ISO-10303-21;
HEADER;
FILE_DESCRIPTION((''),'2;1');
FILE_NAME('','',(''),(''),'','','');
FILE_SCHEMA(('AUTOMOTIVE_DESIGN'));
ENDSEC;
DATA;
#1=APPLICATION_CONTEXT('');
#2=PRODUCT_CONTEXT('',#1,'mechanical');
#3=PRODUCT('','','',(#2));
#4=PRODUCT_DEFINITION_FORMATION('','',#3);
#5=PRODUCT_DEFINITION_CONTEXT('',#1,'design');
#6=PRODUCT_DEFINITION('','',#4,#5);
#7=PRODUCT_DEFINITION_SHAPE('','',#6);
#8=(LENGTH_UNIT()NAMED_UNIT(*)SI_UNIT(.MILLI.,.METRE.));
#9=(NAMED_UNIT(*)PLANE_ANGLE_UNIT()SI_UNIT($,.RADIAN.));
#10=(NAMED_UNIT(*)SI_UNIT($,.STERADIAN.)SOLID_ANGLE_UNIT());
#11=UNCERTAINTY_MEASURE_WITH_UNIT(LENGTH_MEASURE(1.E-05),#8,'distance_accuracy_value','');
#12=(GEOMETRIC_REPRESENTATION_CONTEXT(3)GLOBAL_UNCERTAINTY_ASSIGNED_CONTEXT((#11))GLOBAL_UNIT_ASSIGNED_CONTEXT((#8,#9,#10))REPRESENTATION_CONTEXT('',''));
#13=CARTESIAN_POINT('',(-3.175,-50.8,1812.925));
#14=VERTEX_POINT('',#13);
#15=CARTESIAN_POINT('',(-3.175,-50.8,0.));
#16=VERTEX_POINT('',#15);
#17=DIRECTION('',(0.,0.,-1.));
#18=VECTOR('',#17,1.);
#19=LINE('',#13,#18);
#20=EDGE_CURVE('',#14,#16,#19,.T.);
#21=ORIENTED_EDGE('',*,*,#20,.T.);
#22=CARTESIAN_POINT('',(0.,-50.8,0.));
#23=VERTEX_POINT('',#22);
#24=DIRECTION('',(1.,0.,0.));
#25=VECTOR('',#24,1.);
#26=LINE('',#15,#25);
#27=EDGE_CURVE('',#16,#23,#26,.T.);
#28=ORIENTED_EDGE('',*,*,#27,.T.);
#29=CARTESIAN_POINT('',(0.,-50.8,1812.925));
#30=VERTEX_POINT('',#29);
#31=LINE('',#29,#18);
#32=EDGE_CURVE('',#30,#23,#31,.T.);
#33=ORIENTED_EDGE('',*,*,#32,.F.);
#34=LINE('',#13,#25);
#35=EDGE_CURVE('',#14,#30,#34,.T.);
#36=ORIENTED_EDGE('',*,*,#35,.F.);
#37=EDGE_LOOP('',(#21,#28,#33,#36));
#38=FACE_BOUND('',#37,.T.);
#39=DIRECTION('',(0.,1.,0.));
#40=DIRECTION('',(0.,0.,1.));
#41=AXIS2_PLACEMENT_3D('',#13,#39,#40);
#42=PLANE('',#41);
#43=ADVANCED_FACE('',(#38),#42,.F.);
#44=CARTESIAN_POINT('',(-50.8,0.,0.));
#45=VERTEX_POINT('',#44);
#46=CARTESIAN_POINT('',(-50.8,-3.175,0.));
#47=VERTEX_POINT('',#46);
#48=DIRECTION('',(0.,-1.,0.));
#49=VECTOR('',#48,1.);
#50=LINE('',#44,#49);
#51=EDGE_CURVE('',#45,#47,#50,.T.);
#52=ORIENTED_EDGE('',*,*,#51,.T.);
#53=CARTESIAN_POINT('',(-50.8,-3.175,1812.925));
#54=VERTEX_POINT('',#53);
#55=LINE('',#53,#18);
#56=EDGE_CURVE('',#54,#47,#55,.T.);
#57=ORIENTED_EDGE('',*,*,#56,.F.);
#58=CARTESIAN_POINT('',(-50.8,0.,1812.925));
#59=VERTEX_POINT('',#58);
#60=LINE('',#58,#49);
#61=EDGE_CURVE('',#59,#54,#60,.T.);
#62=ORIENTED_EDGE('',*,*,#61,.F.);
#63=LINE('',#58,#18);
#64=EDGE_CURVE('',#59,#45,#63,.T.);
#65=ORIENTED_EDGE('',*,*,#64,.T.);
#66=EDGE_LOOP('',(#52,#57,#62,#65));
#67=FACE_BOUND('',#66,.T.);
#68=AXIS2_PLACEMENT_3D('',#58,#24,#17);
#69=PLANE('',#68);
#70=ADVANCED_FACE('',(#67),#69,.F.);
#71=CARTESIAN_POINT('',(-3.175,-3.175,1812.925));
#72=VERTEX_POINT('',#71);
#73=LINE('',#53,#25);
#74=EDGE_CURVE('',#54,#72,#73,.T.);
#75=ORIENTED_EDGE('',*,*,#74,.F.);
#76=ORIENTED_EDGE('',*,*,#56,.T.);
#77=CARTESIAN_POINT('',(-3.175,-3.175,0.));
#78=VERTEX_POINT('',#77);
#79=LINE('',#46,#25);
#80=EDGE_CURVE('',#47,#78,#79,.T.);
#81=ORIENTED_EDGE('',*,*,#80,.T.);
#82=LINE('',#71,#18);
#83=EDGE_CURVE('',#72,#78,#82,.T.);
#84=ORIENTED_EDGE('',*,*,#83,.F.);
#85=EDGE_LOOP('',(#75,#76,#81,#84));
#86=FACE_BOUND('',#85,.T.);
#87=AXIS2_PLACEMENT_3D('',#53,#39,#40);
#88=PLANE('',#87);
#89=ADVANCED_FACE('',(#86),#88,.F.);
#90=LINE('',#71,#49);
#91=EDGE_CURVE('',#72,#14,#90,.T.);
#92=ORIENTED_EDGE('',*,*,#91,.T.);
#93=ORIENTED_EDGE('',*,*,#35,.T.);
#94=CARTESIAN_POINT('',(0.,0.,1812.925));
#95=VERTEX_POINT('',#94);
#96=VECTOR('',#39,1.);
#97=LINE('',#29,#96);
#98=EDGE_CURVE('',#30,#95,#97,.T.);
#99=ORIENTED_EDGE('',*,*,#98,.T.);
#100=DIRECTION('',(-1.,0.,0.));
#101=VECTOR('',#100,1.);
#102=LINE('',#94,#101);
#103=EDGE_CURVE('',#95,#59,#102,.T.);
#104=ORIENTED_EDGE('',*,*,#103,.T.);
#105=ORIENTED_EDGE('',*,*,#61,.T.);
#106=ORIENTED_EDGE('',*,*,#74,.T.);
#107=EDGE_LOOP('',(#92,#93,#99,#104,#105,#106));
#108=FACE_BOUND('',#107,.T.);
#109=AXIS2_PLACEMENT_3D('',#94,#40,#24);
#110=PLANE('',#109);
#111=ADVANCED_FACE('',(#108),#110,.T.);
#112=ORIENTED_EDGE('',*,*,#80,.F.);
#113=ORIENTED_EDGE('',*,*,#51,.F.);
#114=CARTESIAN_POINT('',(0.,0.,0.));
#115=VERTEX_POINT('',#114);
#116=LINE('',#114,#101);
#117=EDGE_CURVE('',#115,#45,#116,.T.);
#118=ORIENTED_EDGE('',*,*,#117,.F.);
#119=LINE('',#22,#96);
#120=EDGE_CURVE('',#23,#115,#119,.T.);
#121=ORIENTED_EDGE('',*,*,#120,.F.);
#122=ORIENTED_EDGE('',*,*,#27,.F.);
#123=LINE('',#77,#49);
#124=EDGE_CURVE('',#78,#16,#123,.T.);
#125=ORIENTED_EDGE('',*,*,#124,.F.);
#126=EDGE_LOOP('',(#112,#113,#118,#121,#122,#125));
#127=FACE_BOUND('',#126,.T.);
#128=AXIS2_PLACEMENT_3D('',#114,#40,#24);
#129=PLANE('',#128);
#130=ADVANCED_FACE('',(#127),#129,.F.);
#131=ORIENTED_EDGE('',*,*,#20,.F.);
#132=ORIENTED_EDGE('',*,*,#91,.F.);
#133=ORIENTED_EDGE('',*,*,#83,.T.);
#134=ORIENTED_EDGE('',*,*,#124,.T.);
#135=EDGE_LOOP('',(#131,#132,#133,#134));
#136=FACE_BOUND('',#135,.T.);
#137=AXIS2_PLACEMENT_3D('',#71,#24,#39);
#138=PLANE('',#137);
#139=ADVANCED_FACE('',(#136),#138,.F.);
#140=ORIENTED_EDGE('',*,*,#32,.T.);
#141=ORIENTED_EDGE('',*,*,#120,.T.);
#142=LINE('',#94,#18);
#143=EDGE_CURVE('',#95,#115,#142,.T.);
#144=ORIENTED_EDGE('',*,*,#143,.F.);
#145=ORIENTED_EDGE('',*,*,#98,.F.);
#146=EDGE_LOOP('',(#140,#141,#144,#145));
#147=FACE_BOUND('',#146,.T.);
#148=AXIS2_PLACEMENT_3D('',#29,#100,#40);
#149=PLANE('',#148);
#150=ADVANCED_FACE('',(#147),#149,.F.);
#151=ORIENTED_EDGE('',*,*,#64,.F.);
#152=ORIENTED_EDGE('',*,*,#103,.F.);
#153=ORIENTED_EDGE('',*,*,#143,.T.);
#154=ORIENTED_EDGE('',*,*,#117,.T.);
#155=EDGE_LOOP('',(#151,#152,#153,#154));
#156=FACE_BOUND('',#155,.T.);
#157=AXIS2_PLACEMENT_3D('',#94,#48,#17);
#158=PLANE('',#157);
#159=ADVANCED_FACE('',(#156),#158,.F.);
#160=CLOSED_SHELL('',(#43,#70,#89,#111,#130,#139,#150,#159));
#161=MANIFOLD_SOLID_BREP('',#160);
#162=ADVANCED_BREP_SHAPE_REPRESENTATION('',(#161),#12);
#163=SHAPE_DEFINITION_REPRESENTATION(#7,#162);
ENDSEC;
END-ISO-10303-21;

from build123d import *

# Parameters (mm, degrees)
BOSS_EXTRUDE1_DEPTH = 1812.925


with BuildPart() as part:
    # Sketch1 → Boss-Extrude1 (new body)
    with BuildSketch(Plane.XY):
        Polygon((0, 0), (-50.8, 0), (-50.8, -3.175), (-3.175, -3.175), (-3.175, -50.8), (0, -50.8), align=None)
    extrude(amount=BOSS_EXTRUDE1_DEPTH)


solid = part.part
